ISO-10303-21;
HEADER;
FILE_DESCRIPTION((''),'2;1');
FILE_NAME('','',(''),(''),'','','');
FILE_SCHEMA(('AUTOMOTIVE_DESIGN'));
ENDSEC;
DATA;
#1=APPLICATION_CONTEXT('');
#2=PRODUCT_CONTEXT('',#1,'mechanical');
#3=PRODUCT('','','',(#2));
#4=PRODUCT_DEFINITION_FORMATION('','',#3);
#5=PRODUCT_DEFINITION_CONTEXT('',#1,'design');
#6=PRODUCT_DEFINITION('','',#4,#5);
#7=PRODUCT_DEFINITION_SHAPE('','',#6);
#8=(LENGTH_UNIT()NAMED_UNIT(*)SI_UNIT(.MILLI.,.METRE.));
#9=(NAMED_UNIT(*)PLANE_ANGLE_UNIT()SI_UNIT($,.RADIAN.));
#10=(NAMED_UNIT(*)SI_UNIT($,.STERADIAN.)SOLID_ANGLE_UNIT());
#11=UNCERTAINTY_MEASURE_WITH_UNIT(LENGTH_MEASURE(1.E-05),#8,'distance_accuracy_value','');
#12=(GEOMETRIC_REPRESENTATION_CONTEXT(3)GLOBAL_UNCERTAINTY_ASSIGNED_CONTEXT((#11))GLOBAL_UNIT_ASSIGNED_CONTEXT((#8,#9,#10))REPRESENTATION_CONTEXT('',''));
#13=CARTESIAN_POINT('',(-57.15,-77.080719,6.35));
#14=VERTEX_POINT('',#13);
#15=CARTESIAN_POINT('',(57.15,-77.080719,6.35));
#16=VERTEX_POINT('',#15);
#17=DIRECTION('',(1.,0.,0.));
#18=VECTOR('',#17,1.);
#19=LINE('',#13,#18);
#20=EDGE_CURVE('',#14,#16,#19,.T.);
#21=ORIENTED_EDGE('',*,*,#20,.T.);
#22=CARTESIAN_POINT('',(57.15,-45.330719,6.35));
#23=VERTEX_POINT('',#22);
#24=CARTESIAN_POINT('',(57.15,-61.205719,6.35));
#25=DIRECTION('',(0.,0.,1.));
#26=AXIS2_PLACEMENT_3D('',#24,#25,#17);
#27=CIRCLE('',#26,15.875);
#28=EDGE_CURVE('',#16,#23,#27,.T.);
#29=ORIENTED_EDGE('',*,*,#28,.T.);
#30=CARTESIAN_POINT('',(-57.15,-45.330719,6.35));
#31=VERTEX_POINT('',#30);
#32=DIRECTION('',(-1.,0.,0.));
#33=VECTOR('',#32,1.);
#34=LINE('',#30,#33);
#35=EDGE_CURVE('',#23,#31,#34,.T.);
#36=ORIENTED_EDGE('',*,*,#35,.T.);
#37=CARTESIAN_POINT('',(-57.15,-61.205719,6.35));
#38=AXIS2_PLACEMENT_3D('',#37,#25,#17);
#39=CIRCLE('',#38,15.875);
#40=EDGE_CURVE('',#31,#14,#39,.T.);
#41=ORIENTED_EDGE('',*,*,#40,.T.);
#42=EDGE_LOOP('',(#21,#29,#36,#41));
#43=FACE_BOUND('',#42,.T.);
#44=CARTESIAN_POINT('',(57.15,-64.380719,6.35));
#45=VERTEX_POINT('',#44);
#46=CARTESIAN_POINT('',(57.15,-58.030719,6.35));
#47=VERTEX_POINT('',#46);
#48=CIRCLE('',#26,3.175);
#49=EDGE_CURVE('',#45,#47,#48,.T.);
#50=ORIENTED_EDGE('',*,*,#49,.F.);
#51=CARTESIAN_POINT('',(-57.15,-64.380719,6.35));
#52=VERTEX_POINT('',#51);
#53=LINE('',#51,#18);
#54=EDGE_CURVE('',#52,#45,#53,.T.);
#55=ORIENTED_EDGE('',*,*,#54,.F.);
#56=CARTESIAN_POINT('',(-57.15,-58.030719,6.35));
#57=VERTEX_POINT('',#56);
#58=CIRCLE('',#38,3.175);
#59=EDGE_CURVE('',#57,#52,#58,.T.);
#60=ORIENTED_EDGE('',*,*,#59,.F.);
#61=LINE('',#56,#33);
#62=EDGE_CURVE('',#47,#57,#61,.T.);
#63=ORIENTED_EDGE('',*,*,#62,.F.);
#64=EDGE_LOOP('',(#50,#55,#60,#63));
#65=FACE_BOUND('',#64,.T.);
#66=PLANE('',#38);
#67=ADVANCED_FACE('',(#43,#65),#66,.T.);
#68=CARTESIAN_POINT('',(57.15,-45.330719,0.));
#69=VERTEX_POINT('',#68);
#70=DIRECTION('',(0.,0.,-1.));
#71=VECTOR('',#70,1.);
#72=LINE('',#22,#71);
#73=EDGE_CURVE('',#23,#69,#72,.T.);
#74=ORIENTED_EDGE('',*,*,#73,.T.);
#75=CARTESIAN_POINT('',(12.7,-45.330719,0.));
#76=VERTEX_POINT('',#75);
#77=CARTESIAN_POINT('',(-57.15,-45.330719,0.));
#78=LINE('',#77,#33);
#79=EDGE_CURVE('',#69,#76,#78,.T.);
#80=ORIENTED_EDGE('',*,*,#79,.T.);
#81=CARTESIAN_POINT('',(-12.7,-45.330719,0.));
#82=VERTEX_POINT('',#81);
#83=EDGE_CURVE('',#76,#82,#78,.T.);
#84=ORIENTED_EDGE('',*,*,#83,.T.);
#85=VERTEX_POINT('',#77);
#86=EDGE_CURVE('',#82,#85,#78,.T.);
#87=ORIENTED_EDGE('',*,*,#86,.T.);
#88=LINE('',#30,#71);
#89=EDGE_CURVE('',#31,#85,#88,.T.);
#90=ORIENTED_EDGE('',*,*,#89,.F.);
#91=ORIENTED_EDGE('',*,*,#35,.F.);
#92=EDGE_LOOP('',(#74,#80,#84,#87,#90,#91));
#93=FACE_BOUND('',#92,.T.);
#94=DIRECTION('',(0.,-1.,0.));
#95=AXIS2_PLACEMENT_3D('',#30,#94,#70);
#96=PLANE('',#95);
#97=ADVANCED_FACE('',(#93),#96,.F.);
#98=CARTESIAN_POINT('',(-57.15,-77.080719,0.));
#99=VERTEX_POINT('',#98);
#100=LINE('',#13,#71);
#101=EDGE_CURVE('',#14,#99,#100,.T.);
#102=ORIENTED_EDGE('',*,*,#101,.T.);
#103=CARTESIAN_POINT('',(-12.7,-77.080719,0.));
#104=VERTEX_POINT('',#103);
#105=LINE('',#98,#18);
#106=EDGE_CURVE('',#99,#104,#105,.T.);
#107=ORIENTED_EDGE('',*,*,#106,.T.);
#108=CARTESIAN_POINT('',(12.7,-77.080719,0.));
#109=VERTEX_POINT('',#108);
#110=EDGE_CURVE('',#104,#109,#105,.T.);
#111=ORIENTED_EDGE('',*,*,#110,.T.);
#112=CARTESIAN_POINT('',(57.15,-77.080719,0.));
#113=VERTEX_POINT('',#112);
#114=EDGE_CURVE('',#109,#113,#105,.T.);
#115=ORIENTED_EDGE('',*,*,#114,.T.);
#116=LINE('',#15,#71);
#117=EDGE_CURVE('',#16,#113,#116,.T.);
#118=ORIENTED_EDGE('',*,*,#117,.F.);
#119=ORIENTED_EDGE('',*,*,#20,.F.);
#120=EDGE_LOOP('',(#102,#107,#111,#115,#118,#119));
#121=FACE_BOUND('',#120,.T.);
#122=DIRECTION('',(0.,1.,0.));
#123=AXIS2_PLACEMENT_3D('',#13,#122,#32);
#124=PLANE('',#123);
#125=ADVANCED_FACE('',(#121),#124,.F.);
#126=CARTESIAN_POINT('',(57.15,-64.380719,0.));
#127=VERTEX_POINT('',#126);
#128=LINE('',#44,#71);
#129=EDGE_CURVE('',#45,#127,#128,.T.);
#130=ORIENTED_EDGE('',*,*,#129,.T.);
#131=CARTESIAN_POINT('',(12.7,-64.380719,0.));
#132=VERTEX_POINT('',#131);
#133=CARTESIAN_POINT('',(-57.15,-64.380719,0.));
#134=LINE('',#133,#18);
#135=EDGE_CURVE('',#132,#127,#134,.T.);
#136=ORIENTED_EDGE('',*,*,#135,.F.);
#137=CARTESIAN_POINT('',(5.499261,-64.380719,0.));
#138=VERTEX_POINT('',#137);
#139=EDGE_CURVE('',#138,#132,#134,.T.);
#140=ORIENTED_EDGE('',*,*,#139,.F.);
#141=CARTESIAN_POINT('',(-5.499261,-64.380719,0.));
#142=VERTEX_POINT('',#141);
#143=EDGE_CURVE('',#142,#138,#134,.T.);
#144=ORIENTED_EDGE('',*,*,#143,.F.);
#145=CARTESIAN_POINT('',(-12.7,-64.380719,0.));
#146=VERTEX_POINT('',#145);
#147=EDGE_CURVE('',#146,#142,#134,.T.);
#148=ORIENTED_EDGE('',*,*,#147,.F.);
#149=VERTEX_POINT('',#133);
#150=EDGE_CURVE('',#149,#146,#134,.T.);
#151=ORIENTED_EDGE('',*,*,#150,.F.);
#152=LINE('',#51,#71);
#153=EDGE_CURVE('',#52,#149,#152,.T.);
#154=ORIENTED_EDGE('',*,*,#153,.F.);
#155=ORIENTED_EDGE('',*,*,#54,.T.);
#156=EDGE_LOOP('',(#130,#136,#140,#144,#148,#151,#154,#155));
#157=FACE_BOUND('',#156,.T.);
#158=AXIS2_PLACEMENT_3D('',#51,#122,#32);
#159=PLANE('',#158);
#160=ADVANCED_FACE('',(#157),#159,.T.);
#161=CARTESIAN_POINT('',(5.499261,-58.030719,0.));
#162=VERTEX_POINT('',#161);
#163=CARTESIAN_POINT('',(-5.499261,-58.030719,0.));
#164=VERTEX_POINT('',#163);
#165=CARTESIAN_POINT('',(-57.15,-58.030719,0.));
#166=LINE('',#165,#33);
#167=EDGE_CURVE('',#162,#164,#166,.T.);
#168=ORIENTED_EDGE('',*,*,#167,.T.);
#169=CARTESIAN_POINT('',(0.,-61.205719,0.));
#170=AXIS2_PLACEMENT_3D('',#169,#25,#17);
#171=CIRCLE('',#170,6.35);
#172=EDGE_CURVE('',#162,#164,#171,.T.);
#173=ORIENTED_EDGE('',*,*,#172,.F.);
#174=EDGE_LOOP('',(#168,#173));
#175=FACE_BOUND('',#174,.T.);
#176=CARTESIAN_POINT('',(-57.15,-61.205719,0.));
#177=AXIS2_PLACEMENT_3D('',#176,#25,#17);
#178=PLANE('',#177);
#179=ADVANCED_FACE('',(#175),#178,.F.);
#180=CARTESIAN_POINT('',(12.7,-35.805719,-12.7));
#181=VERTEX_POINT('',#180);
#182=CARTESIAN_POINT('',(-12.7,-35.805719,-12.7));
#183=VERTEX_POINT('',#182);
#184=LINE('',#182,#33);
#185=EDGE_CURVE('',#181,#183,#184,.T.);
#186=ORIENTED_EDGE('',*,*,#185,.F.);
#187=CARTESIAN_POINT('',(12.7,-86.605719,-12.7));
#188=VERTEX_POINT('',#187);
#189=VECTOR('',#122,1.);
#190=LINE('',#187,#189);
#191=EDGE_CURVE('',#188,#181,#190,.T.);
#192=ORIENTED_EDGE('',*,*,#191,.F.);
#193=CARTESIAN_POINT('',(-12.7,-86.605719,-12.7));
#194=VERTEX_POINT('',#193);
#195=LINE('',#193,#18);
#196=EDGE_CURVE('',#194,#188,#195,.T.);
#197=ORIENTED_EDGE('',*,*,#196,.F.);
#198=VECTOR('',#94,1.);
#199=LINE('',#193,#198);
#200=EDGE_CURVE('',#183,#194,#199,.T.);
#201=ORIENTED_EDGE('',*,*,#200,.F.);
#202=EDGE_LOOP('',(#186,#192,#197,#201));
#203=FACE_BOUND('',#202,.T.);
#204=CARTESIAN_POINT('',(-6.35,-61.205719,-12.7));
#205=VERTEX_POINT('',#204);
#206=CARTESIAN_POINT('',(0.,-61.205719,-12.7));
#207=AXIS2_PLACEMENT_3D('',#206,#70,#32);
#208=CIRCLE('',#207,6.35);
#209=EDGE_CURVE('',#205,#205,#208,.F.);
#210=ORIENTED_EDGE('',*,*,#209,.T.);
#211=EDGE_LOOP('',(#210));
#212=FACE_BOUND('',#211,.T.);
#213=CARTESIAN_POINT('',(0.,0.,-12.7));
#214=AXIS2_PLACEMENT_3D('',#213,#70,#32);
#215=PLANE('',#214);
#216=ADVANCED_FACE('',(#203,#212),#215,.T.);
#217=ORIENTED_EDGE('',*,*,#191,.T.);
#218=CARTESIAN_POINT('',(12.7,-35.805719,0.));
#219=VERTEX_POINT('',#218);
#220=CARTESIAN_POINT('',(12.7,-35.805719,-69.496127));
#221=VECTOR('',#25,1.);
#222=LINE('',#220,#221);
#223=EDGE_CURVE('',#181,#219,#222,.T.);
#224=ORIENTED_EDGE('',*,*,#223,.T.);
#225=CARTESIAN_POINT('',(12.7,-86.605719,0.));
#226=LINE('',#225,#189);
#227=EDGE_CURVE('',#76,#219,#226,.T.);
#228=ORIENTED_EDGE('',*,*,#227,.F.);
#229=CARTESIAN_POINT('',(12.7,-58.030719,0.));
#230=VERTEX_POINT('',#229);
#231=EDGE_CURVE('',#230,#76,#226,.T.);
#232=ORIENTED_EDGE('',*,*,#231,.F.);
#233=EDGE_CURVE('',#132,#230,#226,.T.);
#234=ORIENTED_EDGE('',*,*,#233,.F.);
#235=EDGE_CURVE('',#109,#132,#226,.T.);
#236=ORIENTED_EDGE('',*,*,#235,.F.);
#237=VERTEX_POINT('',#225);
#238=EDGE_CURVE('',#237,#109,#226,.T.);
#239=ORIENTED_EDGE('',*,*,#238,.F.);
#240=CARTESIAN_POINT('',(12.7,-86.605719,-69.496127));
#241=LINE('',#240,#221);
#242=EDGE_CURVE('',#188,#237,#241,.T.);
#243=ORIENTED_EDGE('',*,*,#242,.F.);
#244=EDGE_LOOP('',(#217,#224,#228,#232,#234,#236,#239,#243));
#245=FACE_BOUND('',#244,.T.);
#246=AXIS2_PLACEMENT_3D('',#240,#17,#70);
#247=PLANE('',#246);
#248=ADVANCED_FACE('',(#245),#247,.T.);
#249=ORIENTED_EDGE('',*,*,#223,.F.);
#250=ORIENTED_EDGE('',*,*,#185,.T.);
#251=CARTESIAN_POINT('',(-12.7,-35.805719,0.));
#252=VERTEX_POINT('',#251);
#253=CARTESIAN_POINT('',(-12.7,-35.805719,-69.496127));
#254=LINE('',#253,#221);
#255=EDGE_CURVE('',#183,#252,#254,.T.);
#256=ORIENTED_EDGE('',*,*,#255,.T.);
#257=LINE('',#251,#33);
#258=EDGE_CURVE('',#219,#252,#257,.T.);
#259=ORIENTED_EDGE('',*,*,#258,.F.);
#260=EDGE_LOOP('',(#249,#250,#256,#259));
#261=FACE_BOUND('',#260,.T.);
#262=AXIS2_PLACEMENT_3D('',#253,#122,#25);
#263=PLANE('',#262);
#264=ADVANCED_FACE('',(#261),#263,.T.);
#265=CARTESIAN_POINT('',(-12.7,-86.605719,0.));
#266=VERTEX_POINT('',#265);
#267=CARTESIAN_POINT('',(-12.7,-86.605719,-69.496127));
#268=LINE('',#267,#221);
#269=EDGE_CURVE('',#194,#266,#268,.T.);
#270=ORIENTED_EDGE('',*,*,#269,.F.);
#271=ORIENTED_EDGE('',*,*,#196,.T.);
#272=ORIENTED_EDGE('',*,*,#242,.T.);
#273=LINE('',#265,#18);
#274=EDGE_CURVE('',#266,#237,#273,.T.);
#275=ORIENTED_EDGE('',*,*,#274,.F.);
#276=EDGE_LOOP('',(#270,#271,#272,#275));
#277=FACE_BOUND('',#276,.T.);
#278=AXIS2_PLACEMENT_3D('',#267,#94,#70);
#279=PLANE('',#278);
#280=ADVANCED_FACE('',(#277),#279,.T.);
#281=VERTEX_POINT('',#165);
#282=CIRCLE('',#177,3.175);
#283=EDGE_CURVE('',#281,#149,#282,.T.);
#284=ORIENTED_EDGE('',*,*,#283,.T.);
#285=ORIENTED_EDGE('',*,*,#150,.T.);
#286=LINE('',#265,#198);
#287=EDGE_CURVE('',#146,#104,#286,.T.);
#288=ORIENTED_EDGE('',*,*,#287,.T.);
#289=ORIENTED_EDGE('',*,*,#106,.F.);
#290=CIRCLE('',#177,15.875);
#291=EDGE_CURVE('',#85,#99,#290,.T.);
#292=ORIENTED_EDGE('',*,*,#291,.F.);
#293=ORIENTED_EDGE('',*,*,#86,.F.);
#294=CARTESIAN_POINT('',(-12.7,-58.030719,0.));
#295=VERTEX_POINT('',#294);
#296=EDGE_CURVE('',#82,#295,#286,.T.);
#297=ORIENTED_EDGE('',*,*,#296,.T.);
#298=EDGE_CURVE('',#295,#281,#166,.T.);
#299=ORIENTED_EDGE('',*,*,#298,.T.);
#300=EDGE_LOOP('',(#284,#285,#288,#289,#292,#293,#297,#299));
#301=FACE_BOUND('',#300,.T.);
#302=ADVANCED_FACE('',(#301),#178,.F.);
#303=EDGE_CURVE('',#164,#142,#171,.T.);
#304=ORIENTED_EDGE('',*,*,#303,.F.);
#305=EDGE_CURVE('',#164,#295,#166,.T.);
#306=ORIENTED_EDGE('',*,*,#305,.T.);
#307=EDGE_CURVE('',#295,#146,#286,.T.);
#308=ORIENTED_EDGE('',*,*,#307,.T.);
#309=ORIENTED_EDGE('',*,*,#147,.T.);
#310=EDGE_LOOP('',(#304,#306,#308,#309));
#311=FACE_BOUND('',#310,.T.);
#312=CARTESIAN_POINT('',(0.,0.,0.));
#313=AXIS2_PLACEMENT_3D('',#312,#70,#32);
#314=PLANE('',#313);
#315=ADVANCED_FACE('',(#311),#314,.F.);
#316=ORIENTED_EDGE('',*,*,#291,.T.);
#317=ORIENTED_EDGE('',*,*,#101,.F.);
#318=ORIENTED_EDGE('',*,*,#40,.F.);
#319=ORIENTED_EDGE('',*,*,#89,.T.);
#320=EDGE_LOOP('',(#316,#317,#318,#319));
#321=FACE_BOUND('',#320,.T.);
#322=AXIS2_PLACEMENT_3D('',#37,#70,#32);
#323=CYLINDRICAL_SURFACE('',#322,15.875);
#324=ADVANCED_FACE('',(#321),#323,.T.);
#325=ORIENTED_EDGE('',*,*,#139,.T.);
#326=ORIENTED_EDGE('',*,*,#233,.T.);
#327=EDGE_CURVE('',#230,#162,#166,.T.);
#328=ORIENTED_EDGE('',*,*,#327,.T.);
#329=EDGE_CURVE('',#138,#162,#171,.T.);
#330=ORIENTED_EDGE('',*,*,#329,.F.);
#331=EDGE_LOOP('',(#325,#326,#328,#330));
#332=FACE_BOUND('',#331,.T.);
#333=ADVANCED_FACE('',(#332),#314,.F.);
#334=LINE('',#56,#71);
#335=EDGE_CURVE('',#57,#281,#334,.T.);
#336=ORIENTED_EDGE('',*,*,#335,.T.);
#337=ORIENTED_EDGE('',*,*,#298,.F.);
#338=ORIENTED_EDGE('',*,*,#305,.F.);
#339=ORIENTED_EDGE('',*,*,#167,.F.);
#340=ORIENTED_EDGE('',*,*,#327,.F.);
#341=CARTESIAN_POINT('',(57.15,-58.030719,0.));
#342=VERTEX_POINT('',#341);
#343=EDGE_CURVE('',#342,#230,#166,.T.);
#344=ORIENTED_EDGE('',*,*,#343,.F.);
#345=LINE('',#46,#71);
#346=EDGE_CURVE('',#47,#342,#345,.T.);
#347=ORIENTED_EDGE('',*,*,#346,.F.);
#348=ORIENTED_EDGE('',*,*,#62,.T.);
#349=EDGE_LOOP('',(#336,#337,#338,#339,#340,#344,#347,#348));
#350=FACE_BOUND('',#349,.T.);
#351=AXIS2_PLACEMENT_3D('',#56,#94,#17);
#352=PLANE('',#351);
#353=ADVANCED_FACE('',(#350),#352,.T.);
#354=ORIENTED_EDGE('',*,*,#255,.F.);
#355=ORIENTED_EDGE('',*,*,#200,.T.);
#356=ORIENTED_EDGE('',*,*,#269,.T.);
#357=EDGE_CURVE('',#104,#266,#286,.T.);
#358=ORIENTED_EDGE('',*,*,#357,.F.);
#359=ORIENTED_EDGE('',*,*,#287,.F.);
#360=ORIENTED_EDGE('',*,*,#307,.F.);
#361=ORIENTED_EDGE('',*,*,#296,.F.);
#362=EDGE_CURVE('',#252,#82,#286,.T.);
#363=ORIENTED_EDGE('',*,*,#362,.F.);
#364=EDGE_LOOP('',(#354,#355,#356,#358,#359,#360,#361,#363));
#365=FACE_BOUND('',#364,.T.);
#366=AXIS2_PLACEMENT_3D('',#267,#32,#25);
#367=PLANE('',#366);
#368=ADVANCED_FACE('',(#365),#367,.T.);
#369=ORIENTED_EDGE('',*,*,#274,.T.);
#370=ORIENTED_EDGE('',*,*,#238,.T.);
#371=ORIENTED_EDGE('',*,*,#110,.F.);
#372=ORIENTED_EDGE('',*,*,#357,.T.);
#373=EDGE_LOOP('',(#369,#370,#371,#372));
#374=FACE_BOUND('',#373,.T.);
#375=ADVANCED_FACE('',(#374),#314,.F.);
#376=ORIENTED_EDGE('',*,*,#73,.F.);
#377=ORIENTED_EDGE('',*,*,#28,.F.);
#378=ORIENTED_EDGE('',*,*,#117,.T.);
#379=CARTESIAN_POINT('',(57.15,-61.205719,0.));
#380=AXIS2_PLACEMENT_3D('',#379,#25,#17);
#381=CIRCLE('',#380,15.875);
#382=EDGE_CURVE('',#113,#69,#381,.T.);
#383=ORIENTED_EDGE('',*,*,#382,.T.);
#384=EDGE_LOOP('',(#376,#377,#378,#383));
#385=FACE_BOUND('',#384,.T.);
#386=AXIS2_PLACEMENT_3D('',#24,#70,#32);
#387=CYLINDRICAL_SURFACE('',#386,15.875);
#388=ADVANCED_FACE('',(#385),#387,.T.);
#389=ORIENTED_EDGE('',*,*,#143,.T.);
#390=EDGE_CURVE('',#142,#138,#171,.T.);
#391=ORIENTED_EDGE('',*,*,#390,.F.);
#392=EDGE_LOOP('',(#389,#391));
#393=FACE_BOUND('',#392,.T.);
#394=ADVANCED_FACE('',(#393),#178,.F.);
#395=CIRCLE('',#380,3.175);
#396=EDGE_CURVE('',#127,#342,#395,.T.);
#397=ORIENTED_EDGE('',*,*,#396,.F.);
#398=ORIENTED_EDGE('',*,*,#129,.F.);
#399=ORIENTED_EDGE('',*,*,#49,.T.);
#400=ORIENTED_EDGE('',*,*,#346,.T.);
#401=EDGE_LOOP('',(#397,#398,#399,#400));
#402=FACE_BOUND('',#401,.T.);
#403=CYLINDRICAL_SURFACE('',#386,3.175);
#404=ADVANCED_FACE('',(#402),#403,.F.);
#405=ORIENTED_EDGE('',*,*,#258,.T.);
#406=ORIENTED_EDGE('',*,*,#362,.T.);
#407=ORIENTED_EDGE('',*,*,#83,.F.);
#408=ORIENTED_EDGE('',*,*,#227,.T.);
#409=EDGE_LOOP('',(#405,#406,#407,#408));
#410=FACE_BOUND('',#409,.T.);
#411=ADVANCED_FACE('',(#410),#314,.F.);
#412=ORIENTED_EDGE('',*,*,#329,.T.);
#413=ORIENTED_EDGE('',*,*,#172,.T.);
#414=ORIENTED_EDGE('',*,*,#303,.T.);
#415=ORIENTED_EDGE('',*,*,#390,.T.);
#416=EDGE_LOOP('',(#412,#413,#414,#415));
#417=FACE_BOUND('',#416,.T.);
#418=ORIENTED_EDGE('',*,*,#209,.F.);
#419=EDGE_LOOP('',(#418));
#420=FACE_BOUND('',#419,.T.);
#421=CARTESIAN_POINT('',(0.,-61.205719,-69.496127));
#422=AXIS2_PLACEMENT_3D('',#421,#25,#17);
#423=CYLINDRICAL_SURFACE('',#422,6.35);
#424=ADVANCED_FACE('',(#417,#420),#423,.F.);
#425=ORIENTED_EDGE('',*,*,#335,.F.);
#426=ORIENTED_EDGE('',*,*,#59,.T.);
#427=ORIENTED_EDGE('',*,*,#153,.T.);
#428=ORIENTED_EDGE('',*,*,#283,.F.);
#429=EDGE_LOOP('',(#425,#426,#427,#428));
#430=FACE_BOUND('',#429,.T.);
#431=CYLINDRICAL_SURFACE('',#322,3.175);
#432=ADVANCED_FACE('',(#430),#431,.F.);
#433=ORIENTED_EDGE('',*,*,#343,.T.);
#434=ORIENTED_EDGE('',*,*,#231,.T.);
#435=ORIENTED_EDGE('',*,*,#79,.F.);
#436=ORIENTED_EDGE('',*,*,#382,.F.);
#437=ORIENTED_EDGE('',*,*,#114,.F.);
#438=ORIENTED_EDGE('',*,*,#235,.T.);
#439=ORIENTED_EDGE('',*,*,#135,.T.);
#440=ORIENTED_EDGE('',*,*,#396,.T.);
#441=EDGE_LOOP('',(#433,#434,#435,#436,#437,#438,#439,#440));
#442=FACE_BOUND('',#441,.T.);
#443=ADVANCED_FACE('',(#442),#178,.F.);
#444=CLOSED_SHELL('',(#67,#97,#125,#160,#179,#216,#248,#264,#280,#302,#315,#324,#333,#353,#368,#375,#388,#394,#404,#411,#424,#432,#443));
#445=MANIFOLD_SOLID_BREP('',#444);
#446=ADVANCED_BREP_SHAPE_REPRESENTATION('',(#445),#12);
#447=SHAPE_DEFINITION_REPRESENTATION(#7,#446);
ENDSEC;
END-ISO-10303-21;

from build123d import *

# Parameters (mm, degrees)
SKETCH2_W           = 25.4
SKETCH2_H           = 50.8
SKETCH2_R           = 6.35
BOSS_EXTRUDE1_DEPTH = 12.7
BOSS_EXTRUDE2_DEPTH = 6.35


with BuildPart() as part:
    # Sketch2 → Boss-Extrude1 (new body)
    with BuildSketch(Plane.XY):
        with Locations((0, -61.205719116)):
            Rectangle(SKETCH2_W, SKETCH2_H)
        with Locations((0, -61.205719116)):
            Circle(SKETCH2_R, mode=Mode.SUBTRACT)
    extrude(amount=-BOSS_EXTRUDE1_DEPTH)

    # Sketch3 → Boss-Extrude2 (add)
    with BuildSketch(Plane.XY):
        with BuildLine():
            Line((-57.15, -45.330719116), (57.15, -45.330719116))
            ThreePointArc((57.15, -45.330719116), (73.025, -61.205719116), (57.15, -77.080719116))
            Line((57.15, -77.080719116), (-57.15, -77.080719116))
            ThreePointArc((-57.15, -77.080719116), (-73.025, -61.205719116), (-57.15, -45.330719116))
        make_face()
        with BuildLine():
            Line((-57.15, -58.030719116), (57.15, -58.030719116))
            ThreePointArc((57.15, -58.030719116), (60.325, -61.205719116), (57.15, -64.380719116))
            Line((57.15, -64.380719116), (-57.15, -64.380719116))
            ThreePointArc((-57.15, -64.380719116), (-60.325, -61.205719116), (-57.15, -58.030719116))
        make_face(mode=Mode.SUBTRACT)
    extrude(amount=BOSS_EXTRUDE2_DEPTH)


solid = part.part
